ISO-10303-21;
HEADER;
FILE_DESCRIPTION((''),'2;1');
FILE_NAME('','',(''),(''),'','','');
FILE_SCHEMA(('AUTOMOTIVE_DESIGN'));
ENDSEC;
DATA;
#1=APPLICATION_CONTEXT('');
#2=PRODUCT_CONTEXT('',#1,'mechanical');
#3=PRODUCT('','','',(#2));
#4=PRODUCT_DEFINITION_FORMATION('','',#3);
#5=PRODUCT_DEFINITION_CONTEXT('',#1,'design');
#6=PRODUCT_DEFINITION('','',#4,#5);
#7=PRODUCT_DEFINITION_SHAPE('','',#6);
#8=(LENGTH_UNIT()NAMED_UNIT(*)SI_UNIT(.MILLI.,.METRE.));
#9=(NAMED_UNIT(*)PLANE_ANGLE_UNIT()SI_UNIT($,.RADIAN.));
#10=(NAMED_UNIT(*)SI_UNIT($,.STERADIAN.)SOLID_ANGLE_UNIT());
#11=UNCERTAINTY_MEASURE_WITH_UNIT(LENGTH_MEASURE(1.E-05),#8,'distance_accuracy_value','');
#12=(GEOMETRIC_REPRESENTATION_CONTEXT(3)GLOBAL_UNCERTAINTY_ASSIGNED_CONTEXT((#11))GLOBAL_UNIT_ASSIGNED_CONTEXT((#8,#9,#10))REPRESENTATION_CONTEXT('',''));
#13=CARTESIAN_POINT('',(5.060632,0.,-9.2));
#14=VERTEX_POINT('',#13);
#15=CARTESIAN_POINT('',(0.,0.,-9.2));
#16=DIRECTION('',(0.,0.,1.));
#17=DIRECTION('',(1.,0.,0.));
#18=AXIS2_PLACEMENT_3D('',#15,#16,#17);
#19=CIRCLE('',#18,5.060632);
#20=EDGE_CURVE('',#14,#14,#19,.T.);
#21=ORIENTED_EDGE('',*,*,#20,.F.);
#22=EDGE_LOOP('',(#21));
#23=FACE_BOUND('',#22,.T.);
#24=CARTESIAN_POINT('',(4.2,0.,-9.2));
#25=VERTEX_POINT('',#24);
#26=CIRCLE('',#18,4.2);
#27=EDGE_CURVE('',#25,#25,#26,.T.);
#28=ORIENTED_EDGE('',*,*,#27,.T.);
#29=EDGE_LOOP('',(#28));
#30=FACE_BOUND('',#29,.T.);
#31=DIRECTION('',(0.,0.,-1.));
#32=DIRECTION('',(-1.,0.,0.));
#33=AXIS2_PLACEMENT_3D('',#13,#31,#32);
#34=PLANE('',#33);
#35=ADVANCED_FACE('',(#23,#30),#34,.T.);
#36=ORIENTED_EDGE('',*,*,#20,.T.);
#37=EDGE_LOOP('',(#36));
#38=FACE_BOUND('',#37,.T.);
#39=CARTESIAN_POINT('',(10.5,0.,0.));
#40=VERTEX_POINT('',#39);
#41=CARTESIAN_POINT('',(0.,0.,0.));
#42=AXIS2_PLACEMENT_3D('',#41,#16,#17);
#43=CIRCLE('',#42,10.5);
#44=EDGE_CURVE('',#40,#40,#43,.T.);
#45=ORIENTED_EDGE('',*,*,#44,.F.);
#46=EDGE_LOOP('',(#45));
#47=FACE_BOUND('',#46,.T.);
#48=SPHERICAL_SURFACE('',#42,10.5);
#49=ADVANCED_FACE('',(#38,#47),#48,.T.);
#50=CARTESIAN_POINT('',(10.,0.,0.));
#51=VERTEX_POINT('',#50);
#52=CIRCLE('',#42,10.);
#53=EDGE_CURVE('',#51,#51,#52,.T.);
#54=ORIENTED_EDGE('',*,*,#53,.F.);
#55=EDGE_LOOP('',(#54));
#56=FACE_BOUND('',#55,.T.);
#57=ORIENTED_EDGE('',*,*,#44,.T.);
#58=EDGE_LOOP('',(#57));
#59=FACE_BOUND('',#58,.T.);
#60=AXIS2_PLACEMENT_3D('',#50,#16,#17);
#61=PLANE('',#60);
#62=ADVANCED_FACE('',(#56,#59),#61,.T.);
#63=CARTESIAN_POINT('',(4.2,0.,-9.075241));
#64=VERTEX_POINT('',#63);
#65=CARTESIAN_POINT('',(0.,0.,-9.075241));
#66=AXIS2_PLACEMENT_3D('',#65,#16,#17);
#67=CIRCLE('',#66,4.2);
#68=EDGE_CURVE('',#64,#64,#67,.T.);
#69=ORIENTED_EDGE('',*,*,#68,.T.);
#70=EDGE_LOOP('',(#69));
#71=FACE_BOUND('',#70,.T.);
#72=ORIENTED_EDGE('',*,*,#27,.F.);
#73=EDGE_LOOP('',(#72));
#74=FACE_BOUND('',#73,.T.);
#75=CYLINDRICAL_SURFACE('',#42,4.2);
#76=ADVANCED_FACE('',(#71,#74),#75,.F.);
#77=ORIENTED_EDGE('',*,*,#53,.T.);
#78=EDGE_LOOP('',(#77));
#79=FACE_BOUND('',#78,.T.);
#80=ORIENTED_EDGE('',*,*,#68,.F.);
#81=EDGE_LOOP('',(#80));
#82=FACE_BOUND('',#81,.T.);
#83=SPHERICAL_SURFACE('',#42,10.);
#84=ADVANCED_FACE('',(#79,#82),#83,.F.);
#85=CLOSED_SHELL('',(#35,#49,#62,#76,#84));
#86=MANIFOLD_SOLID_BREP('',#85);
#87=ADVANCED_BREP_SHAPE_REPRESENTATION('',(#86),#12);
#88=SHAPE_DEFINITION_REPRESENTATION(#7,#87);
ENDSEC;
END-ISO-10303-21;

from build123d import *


with BuildPart() as part:
    # Sketch2 → Main Body (revolve)
    with BuildSketch(Plane(origin=(0, 0, 0), x_dir=(1, 0, 0), z_dir=(0, 1, 0))):
        with BuildLine():
            Line((10, 0), (10.5, 0))
            ThreePointArc((10.5, 0), (9.038435703, 5.343845062), (5.060632372, 9.2))
            Line((5.060632372, 9.2), (4.2, 9.2))
            Line((4.2, 9.2), (4.2, 9.075241044))
            ThreePointArc((4.2, 9.075241044), (8.426149773, 5.385164807), (10, 0))
        make_face()
    revolve(axis=Axis((0, 0, 0), (0, 0, -1)))


solid = part.part
